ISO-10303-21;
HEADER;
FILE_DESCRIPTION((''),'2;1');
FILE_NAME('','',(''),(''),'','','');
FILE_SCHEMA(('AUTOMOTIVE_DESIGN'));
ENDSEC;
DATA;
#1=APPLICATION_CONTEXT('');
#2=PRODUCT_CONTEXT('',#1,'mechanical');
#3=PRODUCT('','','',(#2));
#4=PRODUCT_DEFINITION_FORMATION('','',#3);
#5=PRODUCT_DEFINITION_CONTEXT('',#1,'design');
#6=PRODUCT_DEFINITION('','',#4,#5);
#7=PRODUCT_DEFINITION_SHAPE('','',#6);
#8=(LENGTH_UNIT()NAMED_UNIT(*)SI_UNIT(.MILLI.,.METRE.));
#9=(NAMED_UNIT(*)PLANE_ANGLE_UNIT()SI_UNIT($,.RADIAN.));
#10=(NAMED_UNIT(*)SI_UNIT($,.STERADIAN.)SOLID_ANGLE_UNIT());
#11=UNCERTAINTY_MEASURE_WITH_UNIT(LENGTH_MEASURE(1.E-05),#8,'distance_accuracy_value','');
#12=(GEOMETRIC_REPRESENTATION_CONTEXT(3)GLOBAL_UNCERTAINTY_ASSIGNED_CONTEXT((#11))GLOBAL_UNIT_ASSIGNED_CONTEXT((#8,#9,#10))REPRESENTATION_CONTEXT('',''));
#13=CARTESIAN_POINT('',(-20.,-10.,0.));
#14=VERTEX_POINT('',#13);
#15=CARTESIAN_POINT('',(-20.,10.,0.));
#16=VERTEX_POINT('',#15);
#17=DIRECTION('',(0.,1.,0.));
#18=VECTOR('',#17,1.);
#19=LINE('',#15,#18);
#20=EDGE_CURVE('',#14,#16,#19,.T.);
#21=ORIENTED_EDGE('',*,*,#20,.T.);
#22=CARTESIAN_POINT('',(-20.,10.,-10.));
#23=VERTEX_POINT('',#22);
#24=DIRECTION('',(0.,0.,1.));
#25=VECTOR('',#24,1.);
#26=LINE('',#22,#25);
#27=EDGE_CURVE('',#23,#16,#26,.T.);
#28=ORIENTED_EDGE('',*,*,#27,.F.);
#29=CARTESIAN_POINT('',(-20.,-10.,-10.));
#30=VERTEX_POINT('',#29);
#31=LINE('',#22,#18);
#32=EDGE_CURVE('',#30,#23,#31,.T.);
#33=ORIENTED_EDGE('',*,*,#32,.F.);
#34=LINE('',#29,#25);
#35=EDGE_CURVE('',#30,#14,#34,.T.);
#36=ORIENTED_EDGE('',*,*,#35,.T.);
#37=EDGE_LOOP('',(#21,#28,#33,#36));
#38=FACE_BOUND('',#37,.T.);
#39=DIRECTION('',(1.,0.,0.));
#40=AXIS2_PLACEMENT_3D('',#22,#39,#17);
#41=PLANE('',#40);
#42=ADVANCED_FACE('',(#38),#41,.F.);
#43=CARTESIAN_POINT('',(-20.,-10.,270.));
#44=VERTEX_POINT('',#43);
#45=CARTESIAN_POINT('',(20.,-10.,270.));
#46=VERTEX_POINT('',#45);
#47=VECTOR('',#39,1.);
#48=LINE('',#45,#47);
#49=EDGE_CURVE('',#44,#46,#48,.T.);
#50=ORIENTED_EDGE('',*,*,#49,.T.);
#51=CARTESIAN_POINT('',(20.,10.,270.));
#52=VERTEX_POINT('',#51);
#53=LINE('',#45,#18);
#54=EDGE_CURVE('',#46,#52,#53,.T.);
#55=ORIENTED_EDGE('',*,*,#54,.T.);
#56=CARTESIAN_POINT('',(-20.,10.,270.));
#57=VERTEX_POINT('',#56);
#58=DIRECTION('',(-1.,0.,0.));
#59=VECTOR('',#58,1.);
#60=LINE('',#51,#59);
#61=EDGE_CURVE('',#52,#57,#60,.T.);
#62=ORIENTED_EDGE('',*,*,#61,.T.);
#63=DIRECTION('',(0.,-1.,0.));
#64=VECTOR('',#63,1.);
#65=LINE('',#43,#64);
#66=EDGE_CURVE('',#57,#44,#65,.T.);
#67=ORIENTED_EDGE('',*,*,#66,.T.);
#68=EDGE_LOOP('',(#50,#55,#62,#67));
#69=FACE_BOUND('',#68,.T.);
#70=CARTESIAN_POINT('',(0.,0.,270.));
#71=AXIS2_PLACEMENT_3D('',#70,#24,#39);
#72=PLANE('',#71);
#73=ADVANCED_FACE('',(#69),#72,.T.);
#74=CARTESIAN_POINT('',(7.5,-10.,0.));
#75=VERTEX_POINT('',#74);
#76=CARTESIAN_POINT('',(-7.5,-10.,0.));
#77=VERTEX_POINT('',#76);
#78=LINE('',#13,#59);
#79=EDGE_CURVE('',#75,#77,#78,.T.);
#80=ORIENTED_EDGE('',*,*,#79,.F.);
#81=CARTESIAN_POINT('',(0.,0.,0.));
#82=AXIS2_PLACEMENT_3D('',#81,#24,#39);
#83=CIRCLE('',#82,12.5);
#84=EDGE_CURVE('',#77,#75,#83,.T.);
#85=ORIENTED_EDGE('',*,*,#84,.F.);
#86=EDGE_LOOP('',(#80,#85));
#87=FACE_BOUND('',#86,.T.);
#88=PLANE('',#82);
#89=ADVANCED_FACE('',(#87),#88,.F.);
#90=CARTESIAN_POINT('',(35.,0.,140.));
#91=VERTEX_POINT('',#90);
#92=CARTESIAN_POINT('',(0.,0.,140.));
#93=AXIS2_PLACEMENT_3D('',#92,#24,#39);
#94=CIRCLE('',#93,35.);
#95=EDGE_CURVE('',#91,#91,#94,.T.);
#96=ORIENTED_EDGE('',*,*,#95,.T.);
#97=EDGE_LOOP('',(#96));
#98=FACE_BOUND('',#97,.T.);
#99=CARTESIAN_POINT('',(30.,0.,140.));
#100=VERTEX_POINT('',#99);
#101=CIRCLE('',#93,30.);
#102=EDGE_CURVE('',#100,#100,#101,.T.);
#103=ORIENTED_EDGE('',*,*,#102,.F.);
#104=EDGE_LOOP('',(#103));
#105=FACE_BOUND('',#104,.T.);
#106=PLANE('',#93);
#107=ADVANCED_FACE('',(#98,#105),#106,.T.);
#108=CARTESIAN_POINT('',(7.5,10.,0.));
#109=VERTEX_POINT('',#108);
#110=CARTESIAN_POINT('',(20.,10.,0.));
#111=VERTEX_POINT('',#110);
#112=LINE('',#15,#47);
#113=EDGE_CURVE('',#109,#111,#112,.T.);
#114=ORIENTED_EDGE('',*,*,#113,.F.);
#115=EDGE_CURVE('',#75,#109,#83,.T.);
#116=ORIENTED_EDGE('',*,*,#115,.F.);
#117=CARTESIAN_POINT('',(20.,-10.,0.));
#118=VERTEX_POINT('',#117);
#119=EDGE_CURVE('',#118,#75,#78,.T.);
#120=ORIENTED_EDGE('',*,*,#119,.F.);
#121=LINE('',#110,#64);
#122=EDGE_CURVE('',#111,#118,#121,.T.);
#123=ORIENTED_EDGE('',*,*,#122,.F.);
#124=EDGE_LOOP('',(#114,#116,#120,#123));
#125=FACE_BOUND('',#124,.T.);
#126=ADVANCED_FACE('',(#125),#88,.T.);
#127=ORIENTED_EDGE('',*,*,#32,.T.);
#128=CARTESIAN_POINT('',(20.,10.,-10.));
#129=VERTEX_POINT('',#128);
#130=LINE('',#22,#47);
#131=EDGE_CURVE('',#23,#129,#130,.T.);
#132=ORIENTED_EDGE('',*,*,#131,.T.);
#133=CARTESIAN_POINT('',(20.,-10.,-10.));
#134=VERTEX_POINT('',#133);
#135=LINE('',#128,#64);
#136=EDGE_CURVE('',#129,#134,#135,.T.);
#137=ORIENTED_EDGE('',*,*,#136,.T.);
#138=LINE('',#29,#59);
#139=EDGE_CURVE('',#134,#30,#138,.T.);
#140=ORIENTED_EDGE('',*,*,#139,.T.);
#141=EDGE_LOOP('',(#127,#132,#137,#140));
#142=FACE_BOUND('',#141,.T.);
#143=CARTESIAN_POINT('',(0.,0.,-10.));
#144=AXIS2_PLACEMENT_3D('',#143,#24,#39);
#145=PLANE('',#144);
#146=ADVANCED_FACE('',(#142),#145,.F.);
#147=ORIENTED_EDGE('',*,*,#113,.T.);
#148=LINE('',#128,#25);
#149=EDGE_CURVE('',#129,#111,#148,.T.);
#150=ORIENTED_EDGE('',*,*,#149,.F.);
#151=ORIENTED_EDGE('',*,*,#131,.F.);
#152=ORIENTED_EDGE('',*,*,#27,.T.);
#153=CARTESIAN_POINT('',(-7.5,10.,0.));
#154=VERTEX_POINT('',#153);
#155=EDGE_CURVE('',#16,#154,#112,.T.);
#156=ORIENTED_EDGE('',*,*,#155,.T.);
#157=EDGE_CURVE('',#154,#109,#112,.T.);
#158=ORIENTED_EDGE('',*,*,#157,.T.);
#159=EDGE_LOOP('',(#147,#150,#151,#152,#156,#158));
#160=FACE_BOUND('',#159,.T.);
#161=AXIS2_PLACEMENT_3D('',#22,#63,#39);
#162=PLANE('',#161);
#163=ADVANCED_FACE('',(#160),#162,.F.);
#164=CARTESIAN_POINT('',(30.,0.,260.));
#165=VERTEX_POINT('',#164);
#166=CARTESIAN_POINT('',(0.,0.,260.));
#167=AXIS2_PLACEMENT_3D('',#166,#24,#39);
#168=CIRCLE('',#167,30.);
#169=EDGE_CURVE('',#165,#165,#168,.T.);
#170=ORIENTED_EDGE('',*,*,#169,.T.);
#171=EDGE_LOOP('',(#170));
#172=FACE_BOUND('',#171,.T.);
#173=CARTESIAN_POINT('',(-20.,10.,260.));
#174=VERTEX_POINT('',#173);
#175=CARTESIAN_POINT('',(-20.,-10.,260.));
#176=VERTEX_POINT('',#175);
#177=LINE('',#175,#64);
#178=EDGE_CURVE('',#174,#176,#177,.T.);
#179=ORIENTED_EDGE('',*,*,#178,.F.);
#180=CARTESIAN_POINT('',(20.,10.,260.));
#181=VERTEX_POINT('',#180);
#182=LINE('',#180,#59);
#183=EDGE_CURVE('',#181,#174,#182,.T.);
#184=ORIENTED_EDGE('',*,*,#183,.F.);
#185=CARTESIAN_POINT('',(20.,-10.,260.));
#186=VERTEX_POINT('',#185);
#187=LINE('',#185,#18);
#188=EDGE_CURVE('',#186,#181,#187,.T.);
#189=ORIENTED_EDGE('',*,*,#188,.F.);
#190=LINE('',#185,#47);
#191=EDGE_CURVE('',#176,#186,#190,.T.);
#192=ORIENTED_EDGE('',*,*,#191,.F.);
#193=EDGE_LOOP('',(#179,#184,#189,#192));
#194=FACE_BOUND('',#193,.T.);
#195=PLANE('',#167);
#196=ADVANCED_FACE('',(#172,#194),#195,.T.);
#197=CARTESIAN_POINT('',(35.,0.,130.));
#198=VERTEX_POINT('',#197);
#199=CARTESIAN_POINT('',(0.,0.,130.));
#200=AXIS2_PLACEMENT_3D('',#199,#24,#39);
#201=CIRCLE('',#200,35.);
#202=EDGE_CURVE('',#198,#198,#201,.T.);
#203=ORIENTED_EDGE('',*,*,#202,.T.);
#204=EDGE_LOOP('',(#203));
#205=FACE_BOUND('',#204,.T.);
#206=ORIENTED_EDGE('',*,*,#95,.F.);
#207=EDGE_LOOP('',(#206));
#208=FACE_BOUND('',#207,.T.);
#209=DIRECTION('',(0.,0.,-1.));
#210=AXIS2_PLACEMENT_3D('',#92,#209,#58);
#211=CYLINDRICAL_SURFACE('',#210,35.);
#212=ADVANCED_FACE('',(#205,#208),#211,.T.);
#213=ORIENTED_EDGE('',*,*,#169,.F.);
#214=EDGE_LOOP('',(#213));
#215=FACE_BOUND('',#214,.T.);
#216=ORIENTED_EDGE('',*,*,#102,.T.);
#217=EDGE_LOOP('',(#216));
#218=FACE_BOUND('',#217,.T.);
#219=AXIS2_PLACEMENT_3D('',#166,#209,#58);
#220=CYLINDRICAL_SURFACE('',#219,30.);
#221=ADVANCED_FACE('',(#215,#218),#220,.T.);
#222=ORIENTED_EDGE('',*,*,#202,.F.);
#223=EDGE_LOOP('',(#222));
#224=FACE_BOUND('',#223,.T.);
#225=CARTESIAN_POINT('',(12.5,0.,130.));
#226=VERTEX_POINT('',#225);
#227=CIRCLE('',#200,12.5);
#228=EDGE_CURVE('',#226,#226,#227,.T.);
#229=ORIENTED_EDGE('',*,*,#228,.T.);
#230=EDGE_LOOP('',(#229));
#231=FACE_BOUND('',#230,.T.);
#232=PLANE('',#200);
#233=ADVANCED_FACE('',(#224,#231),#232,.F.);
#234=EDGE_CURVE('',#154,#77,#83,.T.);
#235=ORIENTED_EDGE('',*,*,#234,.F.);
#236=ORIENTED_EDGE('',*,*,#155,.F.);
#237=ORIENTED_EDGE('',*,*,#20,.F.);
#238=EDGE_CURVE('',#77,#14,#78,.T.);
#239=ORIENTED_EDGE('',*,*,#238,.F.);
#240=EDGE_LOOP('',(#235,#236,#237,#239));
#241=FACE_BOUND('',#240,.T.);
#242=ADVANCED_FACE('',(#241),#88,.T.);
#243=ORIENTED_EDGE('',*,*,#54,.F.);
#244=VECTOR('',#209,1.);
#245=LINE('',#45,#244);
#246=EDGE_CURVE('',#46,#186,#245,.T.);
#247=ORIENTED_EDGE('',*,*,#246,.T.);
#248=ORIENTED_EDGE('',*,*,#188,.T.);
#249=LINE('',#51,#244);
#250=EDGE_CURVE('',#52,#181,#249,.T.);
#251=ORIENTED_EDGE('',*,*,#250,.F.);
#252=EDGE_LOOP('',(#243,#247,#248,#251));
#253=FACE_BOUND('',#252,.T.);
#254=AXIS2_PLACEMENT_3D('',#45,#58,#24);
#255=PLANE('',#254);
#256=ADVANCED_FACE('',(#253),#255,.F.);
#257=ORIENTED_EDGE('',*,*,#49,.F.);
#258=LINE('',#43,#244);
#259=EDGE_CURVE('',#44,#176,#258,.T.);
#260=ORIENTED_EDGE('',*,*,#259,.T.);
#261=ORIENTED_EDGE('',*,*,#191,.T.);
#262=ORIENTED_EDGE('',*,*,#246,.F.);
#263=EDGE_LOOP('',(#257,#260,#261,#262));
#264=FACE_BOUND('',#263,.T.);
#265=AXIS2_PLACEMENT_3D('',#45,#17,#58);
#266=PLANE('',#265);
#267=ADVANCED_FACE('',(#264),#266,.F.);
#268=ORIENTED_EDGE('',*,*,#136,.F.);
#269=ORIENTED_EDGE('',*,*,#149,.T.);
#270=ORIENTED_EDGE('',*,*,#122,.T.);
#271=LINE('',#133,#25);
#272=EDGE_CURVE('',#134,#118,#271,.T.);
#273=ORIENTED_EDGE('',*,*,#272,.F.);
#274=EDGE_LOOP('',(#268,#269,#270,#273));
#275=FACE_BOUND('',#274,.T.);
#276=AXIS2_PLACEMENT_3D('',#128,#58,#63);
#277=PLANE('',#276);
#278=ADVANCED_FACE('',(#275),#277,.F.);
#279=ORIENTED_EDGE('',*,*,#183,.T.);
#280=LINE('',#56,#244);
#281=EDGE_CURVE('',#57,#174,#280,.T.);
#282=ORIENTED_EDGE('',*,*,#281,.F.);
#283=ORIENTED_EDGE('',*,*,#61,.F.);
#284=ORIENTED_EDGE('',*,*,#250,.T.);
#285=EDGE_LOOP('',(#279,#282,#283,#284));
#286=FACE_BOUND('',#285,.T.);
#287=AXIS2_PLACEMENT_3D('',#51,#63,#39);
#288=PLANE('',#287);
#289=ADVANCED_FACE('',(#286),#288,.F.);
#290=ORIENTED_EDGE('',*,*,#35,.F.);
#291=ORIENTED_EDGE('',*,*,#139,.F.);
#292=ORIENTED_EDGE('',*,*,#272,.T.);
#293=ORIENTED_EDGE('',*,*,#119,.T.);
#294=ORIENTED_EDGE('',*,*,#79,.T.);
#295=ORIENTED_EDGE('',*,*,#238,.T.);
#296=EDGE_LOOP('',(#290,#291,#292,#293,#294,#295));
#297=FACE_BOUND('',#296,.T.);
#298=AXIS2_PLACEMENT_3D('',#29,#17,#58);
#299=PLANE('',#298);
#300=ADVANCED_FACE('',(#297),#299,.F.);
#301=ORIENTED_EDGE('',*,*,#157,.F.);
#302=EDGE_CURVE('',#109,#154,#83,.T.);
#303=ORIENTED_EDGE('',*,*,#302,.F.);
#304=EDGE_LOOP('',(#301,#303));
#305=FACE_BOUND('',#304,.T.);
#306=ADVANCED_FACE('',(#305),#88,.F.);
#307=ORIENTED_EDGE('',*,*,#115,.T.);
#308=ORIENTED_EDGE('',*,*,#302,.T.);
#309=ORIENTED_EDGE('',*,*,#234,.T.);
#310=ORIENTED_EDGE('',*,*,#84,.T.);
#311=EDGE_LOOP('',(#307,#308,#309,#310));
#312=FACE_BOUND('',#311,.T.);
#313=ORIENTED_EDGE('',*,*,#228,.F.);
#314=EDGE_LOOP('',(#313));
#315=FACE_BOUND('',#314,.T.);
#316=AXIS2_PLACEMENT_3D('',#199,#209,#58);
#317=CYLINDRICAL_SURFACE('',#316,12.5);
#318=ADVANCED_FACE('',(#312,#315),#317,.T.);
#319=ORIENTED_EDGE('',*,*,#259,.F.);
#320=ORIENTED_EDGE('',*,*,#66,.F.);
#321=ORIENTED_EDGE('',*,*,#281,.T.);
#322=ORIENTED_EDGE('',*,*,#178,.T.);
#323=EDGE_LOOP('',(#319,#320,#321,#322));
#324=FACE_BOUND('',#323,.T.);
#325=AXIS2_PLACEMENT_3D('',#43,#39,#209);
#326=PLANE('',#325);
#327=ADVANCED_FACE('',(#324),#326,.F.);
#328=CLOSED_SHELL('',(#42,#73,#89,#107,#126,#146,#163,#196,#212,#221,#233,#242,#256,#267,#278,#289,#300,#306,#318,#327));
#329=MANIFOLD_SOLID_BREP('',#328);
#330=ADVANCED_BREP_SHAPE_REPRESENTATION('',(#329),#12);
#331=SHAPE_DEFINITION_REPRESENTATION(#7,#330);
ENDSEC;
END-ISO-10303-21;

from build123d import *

# Parameters (mm, degrees)
SKETCH1_R           = 12.5
BOSS_EXTRUDE1_DEPTH = 130
SKETCH2_R           = 35
BOSS_EXTRUDE2_DEPTH = 10
SKETCH3_R           = 30
BOSS_EXTRUDE3_DEPTH = 120
SKETCH4_W           = 40
SKETCH4_H           = 20
BOSS_EXTRUDE4_DEPTH = 10
SCHIZZO1_W          = 40
SCHIZZO1_H          = 20
BOSS_EXTRUDE5_DEPTH = 10


with BuildPart() as part:
    # Sketch1 → Boss-Extrude1 (new body)
    with BuildSketch(Plane.XY):
        Circle(SKETCH1_R)
    extrude(amount=BOSS_EXTRUDE1_DEPTH)

    # Sketch2 → Boss-Extrude2 (add)
    with BuildSketch(Plane.XY.offset(130)):
        Circle(SKETCH2_R)
    extrude(amount=BOSS_EXTRUDE2_DEPTH)

    # Sketch3 → Boss-Extrude3 (add)
    with BuildSketch(Plane.XY.offset(140)):
        Circle(SKETCH3_R)
    extrude(amount=BOSS_EXTRUDE3_DEPTH)

    # Sketch4 → Boss-Extrude4 (add)
    with BuildSketch(Plane(origin=(0, 0, 0), x_dir=(-1, 0, 0), z_dir=(0, 0, -1))):
        Rectangle(SKETCH4_W, SKETCH4_H)
    extrude(amount=BOSS_EXTRUDE4_DEPTH)

    # Schizzo1 → Boss-Extrude5 (add)
    with BuildSketch(Plane.XY.offset(260)):
        Rectangle(SCHIZZO1_W, SCHIZZO1_H)
    extrude(amount=BOSS_EXTRUDE5_DEPTH)


solid = part.part
